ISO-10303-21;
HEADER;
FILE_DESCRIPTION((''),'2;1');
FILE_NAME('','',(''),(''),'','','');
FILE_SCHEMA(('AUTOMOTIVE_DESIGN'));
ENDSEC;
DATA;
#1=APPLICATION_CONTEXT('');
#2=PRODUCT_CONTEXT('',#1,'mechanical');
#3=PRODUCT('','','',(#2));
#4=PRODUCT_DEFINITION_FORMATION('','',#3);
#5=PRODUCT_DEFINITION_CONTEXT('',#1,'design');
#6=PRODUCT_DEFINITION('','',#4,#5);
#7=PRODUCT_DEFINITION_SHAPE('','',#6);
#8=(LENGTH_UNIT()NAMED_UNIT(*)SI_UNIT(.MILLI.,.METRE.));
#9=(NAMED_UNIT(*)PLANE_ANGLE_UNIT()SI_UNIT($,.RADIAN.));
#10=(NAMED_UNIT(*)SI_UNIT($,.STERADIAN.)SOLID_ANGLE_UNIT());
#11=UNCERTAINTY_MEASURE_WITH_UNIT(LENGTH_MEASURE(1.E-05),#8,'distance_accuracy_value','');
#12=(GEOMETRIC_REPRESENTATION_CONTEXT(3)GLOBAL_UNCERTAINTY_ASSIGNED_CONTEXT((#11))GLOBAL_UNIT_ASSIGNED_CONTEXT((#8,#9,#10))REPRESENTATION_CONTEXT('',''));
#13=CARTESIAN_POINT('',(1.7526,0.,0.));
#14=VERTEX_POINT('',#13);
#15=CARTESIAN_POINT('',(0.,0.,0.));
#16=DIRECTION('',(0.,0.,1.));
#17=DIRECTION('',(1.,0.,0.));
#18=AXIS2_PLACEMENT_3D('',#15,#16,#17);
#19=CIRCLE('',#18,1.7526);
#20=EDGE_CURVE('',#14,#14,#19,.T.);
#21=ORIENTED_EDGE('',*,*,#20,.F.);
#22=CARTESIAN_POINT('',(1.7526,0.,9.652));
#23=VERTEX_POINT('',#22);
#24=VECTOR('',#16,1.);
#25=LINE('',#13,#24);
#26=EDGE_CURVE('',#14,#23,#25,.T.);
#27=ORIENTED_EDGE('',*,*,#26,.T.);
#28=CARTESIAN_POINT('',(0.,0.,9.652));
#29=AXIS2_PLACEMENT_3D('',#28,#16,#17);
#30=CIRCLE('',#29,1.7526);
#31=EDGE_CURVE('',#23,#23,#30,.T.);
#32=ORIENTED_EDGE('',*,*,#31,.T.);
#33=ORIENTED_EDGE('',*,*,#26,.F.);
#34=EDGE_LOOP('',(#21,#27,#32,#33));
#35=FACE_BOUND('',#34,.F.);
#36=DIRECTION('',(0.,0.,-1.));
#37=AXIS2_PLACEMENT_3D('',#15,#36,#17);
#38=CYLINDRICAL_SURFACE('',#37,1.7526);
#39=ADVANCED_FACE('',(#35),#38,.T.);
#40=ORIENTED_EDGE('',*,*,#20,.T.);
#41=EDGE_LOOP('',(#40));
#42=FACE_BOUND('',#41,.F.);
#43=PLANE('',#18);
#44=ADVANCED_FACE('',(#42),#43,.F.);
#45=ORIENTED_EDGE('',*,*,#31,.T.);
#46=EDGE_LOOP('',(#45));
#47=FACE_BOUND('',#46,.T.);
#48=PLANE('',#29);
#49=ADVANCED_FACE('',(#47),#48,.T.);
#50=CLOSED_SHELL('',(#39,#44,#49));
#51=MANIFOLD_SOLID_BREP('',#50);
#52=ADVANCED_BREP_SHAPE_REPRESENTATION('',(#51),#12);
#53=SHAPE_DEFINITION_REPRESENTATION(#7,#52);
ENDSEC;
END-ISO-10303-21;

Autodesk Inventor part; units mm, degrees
ref_plane "YZ Plane" through (0, 0, 0) normal (1, 0, 0) x (0, 1, 0)
ref_plane "XZ Plane" through (0, 0, 0) normal (0, 1, 0) x (-1, 0, 0)
ref_plane "XY Plane" through (0, 0, 0) normal (0, 0, 1) x (1, 0, 0)
sketch "Sketch1" plane through (0, 0, 0) normal (0, 0, 1) x (1, 0, 0)
  circle A0 centre (0, 0) radius 1.7526
  dimension "d0" = 3.5052
extrude "Extrusion1" add sketch "Sketch1" along normal blind 9.652
properties part number "Stop"
